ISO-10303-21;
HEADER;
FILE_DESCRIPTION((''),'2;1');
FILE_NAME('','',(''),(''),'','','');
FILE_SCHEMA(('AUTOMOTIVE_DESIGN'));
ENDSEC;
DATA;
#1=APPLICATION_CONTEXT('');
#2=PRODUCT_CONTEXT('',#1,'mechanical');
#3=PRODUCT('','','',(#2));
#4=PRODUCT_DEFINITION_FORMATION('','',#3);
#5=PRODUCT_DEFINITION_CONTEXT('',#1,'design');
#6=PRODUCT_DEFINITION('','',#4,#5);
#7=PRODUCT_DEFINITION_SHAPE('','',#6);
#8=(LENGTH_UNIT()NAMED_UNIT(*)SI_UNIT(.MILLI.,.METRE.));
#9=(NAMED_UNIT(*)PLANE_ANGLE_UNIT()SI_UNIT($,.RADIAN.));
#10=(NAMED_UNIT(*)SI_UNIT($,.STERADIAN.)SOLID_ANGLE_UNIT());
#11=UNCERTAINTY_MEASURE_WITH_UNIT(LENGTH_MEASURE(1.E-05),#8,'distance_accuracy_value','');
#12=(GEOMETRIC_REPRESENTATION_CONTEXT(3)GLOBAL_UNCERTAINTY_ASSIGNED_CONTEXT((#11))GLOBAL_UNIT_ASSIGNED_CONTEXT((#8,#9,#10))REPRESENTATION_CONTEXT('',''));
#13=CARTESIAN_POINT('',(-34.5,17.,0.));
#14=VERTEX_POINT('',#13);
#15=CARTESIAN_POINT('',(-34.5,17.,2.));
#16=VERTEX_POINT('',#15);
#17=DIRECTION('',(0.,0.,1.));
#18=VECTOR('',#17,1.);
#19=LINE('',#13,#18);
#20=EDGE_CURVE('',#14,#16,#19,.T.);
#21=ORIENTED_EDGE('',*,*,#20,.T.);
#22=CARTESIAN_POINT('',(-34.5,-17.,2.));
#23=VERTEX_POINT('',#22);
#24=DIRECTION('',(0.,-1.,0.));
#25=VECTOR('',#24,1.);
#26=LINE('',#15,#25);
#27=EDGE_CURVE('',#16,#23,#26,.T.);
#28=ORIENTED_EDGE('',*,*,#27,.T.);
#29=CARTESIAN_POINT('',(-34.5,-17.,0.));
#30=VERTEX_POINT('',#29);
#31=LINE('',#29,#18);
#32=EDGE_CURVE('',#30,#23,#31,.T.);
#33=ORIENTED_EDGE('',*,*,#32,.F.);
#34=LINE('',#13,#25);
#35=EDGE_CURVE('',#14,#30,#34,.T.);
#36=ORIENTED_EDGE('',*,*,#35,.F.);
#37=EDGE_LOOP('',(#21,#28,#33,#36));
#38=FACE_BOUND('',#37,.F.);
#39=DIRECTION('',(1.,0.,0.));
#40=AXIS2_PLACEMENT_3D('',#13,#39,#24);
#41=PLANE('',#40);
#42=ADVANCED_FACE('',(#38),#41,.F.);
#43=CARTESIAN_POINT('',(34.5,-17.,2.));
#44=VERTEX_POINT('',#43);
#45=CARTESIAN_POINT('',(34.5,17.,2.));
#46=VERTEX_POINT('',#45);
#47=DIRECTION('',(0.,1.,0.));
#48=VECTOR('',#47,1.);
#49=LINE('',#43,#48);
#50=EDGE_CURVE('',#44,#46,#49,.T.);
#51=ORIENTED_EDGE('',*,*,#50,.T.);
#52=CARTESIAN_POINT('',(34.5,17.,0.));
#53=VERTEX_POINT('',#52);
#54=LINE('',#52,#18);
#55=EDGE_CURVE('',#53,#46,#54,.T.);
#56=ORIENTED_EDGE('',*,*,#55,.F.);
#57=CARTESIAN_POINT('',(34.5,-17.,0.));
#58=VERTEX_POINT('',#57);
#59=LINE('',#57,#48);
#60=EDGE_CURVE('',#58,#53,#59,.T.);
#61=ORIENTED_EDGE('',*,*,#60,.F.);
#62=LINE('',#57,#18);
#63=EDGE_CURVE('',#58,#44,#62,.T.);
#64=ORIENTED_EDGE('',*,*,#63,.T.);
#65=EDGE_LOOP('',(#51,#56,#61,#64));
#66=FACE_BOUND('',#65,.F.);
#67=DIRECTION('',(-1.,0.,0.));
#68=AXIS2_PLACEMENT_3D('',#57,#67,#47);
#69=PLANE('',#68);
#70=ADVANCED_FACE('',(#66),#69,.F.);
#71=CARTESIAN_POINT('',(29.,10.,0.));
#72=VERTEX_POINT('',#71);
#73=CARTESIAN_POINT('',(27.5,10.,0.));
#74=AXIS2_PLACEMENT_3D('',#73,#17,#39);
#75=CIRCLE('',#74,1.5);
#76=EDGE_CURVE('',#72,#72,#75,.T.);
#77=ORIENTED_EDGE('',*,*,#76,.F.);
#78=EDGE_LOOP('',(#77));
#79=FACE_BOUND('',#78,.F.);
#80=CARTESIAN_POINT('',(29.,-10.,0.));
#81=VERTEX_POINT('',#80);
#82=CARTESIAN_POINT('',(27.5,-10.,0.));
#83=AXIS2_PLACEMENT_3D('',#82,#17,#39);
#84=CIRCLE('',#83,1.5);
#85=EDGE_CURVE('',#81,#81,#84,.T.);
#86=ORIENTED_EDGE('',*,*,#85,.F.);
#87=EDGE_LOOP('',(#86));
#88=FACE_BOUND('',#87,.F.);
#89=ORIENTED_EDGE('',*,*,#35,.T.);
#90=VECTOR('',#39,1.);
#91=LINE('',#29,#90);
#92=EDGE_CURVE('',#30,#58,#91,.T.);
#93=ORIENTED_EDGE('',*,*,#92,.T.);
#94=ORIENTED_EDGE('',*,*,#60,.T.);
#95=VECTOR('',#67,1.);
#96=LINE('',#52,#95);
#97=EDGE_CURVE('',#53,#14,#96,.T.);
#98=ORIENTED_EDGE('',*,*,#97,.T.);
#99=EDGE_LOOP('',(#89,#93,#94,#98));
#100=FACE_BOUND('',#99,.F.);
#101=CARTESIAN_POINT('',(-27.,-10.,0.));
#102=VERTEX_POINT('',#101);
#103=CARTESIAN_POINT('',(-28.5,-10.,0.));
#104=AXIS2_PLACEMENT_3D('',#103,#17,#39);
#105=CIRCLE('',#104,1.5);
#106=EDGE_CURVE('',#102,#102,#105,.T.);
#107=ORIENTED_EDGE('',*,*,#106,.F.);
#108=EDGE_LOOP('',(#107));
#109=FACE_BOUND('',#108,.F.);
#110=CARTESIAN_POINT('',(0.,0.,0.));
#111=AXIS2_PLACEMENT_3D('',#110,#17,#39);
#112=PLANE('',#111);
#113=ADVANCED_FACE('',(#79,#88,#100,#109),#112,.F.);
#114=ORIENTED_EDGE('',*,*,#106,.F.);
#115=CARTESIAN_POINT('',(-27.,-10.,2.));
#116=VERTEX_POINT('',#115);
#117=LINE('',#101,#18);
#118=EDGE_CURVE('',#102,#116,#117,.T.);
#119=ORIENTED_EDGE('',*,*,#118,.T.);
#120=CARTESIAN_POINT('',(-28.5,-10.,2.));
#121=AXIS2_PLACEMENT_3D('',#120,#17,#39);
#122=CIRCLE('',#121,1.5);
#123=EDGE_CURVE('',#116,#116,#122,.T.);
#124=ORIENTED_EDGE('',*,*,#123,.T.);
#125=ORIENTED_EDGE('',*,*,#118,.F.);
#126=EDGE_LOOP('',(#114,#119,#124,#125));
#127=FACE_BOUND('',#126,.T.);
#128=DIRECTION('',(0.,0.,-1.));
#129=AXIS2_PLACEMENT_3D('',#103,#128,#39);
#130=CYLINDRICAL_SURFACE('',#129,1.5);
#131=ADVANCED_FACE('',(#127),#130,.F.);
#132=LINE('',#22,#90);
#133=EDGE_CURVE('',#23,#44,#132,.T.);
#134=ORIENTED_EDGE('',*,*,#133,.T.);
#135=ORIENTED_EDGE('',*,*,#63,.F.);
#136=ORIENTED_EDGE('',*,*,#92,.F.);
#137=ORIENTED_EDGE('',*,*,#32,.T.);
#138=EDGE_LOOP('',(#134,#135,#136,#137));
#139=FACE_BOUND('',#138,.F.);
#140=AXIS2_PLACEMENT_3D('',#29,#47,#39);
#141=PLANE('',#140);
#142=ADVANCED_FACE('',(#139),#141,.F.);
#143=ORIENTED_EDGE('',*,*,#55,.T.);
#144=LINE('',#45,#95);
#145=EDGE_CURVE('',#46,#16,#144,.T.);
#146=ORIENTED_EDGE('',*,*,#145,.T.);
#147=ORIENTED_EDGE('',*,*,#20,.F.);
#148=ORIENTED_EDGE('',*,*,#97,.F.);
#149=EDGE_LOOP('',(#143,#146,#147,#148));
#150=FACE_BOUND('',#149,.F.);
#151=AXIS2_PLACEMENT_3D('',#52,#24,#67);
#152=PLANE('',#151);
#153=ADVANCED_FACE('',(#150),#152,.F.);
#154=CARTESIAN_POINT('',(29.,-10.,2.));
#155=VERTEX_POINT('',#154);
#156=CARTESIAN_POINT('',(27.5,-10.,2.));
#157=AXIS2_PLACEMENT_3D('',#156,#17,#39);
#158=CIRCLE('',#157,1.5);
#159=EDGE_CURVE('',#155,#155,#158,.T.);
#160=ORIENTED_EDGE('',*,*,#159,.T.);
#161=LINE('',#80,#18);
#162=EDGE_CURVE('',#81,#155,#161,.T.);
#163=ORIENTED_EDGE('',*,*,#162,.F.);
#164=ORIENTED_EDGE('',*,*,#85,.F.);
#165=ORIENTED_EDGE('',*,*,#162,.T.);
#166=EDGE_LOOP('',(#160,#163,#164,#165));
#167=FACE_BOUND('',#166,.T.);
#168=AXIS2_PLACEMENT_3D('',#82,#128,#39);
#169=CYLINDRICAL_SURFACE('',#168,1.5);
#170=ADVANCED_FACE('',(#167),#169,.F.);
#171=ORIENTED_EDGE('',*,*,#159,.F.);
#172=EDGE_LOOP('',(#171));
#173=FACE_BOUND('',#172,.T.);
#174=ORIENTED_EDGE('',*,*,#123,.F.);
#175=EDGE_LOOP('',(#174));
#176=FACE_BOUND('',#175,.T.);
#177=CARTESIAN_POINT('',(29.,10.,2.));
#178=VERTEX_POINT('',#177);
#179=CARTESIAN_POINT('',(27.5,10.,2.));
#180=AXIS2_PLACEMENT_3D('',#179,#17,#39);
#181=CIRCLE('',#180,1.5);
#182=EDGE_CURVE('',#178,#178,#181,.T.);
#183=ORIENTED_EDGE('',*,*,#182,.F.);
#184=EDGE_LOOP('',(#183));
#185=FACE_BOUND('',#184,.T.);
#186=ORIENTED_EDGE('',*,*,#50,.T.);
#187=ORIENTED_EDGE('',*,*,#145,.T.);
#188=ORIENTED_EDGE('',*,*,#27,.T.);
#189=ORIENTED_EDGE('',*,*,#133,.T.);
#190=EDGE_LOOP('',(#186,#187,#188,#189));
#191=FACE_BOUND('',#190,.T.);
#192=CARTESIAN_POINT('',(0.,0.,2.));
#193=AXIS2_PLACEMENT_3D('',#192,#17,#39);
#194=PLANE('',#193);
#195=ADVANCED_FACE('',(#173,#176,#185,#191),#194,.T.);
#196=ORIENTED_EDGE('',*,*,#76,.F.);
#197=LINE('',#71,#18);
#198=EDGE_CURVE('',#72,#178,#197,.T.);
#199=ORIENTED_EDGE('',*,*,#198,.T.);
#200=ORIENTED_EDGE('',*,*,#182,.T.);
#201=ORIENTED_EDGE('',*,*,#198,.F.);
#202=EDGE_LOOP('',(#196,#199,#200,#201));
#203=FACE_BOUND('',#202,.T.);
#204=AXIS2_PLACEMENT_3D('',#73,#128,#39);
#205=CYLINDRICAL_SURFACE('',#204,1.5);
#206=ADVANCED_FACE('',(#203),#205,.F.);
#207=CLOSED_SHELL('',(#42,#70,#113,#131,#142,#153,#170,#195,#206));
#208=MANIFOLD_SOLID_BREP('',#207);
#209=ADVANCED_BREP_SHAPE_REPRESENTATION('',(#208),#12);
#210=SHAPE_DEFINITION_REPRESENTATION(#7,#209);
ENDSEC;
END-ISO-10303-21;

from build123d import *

# Parameters (mm, degrees)
F0_W     = 65
F0_H     = 30
F0_R     = 1.5
F0_H_2   = 2
F1_DEPTH = 2


with BuildPart() as f1:
    # F0 (on Top) → F1 (new body)
    with BuildSketch(Plane.XY):
        Rectangle(F0_W, F0_H)
        with Locations((-28.5, -10)):
            Circle(F0_R, mode=Mode.SUBTRACT)
        with Locations((27.5, -10)):
            Circle(F0_R, mode=Mode.SUBTRACT)
        with Locations((27.5, 10)):
            Circle(F0_R, mode=Mode.SUBTRACT)
        Polygon((-32.5, -15), (-32.5, 15), (-32.5, 17), (-34.5, 17), (-34.5, -17), (-32.5, -17), align=None)
        with Locations((0, 16)):
            Rectangle(F0_W, F0_H_2)
        with Locations((0, -16)):
            Rectangle(F0_W, F0_H_2)
        Polygon((32.5, 17), (32.5, 15), (32.5, -15), (32.5, -17), (34.5, -17), (34.5, 17), align=None)
    extrude(amount=F1_DEPTH)


solid = f1.part
